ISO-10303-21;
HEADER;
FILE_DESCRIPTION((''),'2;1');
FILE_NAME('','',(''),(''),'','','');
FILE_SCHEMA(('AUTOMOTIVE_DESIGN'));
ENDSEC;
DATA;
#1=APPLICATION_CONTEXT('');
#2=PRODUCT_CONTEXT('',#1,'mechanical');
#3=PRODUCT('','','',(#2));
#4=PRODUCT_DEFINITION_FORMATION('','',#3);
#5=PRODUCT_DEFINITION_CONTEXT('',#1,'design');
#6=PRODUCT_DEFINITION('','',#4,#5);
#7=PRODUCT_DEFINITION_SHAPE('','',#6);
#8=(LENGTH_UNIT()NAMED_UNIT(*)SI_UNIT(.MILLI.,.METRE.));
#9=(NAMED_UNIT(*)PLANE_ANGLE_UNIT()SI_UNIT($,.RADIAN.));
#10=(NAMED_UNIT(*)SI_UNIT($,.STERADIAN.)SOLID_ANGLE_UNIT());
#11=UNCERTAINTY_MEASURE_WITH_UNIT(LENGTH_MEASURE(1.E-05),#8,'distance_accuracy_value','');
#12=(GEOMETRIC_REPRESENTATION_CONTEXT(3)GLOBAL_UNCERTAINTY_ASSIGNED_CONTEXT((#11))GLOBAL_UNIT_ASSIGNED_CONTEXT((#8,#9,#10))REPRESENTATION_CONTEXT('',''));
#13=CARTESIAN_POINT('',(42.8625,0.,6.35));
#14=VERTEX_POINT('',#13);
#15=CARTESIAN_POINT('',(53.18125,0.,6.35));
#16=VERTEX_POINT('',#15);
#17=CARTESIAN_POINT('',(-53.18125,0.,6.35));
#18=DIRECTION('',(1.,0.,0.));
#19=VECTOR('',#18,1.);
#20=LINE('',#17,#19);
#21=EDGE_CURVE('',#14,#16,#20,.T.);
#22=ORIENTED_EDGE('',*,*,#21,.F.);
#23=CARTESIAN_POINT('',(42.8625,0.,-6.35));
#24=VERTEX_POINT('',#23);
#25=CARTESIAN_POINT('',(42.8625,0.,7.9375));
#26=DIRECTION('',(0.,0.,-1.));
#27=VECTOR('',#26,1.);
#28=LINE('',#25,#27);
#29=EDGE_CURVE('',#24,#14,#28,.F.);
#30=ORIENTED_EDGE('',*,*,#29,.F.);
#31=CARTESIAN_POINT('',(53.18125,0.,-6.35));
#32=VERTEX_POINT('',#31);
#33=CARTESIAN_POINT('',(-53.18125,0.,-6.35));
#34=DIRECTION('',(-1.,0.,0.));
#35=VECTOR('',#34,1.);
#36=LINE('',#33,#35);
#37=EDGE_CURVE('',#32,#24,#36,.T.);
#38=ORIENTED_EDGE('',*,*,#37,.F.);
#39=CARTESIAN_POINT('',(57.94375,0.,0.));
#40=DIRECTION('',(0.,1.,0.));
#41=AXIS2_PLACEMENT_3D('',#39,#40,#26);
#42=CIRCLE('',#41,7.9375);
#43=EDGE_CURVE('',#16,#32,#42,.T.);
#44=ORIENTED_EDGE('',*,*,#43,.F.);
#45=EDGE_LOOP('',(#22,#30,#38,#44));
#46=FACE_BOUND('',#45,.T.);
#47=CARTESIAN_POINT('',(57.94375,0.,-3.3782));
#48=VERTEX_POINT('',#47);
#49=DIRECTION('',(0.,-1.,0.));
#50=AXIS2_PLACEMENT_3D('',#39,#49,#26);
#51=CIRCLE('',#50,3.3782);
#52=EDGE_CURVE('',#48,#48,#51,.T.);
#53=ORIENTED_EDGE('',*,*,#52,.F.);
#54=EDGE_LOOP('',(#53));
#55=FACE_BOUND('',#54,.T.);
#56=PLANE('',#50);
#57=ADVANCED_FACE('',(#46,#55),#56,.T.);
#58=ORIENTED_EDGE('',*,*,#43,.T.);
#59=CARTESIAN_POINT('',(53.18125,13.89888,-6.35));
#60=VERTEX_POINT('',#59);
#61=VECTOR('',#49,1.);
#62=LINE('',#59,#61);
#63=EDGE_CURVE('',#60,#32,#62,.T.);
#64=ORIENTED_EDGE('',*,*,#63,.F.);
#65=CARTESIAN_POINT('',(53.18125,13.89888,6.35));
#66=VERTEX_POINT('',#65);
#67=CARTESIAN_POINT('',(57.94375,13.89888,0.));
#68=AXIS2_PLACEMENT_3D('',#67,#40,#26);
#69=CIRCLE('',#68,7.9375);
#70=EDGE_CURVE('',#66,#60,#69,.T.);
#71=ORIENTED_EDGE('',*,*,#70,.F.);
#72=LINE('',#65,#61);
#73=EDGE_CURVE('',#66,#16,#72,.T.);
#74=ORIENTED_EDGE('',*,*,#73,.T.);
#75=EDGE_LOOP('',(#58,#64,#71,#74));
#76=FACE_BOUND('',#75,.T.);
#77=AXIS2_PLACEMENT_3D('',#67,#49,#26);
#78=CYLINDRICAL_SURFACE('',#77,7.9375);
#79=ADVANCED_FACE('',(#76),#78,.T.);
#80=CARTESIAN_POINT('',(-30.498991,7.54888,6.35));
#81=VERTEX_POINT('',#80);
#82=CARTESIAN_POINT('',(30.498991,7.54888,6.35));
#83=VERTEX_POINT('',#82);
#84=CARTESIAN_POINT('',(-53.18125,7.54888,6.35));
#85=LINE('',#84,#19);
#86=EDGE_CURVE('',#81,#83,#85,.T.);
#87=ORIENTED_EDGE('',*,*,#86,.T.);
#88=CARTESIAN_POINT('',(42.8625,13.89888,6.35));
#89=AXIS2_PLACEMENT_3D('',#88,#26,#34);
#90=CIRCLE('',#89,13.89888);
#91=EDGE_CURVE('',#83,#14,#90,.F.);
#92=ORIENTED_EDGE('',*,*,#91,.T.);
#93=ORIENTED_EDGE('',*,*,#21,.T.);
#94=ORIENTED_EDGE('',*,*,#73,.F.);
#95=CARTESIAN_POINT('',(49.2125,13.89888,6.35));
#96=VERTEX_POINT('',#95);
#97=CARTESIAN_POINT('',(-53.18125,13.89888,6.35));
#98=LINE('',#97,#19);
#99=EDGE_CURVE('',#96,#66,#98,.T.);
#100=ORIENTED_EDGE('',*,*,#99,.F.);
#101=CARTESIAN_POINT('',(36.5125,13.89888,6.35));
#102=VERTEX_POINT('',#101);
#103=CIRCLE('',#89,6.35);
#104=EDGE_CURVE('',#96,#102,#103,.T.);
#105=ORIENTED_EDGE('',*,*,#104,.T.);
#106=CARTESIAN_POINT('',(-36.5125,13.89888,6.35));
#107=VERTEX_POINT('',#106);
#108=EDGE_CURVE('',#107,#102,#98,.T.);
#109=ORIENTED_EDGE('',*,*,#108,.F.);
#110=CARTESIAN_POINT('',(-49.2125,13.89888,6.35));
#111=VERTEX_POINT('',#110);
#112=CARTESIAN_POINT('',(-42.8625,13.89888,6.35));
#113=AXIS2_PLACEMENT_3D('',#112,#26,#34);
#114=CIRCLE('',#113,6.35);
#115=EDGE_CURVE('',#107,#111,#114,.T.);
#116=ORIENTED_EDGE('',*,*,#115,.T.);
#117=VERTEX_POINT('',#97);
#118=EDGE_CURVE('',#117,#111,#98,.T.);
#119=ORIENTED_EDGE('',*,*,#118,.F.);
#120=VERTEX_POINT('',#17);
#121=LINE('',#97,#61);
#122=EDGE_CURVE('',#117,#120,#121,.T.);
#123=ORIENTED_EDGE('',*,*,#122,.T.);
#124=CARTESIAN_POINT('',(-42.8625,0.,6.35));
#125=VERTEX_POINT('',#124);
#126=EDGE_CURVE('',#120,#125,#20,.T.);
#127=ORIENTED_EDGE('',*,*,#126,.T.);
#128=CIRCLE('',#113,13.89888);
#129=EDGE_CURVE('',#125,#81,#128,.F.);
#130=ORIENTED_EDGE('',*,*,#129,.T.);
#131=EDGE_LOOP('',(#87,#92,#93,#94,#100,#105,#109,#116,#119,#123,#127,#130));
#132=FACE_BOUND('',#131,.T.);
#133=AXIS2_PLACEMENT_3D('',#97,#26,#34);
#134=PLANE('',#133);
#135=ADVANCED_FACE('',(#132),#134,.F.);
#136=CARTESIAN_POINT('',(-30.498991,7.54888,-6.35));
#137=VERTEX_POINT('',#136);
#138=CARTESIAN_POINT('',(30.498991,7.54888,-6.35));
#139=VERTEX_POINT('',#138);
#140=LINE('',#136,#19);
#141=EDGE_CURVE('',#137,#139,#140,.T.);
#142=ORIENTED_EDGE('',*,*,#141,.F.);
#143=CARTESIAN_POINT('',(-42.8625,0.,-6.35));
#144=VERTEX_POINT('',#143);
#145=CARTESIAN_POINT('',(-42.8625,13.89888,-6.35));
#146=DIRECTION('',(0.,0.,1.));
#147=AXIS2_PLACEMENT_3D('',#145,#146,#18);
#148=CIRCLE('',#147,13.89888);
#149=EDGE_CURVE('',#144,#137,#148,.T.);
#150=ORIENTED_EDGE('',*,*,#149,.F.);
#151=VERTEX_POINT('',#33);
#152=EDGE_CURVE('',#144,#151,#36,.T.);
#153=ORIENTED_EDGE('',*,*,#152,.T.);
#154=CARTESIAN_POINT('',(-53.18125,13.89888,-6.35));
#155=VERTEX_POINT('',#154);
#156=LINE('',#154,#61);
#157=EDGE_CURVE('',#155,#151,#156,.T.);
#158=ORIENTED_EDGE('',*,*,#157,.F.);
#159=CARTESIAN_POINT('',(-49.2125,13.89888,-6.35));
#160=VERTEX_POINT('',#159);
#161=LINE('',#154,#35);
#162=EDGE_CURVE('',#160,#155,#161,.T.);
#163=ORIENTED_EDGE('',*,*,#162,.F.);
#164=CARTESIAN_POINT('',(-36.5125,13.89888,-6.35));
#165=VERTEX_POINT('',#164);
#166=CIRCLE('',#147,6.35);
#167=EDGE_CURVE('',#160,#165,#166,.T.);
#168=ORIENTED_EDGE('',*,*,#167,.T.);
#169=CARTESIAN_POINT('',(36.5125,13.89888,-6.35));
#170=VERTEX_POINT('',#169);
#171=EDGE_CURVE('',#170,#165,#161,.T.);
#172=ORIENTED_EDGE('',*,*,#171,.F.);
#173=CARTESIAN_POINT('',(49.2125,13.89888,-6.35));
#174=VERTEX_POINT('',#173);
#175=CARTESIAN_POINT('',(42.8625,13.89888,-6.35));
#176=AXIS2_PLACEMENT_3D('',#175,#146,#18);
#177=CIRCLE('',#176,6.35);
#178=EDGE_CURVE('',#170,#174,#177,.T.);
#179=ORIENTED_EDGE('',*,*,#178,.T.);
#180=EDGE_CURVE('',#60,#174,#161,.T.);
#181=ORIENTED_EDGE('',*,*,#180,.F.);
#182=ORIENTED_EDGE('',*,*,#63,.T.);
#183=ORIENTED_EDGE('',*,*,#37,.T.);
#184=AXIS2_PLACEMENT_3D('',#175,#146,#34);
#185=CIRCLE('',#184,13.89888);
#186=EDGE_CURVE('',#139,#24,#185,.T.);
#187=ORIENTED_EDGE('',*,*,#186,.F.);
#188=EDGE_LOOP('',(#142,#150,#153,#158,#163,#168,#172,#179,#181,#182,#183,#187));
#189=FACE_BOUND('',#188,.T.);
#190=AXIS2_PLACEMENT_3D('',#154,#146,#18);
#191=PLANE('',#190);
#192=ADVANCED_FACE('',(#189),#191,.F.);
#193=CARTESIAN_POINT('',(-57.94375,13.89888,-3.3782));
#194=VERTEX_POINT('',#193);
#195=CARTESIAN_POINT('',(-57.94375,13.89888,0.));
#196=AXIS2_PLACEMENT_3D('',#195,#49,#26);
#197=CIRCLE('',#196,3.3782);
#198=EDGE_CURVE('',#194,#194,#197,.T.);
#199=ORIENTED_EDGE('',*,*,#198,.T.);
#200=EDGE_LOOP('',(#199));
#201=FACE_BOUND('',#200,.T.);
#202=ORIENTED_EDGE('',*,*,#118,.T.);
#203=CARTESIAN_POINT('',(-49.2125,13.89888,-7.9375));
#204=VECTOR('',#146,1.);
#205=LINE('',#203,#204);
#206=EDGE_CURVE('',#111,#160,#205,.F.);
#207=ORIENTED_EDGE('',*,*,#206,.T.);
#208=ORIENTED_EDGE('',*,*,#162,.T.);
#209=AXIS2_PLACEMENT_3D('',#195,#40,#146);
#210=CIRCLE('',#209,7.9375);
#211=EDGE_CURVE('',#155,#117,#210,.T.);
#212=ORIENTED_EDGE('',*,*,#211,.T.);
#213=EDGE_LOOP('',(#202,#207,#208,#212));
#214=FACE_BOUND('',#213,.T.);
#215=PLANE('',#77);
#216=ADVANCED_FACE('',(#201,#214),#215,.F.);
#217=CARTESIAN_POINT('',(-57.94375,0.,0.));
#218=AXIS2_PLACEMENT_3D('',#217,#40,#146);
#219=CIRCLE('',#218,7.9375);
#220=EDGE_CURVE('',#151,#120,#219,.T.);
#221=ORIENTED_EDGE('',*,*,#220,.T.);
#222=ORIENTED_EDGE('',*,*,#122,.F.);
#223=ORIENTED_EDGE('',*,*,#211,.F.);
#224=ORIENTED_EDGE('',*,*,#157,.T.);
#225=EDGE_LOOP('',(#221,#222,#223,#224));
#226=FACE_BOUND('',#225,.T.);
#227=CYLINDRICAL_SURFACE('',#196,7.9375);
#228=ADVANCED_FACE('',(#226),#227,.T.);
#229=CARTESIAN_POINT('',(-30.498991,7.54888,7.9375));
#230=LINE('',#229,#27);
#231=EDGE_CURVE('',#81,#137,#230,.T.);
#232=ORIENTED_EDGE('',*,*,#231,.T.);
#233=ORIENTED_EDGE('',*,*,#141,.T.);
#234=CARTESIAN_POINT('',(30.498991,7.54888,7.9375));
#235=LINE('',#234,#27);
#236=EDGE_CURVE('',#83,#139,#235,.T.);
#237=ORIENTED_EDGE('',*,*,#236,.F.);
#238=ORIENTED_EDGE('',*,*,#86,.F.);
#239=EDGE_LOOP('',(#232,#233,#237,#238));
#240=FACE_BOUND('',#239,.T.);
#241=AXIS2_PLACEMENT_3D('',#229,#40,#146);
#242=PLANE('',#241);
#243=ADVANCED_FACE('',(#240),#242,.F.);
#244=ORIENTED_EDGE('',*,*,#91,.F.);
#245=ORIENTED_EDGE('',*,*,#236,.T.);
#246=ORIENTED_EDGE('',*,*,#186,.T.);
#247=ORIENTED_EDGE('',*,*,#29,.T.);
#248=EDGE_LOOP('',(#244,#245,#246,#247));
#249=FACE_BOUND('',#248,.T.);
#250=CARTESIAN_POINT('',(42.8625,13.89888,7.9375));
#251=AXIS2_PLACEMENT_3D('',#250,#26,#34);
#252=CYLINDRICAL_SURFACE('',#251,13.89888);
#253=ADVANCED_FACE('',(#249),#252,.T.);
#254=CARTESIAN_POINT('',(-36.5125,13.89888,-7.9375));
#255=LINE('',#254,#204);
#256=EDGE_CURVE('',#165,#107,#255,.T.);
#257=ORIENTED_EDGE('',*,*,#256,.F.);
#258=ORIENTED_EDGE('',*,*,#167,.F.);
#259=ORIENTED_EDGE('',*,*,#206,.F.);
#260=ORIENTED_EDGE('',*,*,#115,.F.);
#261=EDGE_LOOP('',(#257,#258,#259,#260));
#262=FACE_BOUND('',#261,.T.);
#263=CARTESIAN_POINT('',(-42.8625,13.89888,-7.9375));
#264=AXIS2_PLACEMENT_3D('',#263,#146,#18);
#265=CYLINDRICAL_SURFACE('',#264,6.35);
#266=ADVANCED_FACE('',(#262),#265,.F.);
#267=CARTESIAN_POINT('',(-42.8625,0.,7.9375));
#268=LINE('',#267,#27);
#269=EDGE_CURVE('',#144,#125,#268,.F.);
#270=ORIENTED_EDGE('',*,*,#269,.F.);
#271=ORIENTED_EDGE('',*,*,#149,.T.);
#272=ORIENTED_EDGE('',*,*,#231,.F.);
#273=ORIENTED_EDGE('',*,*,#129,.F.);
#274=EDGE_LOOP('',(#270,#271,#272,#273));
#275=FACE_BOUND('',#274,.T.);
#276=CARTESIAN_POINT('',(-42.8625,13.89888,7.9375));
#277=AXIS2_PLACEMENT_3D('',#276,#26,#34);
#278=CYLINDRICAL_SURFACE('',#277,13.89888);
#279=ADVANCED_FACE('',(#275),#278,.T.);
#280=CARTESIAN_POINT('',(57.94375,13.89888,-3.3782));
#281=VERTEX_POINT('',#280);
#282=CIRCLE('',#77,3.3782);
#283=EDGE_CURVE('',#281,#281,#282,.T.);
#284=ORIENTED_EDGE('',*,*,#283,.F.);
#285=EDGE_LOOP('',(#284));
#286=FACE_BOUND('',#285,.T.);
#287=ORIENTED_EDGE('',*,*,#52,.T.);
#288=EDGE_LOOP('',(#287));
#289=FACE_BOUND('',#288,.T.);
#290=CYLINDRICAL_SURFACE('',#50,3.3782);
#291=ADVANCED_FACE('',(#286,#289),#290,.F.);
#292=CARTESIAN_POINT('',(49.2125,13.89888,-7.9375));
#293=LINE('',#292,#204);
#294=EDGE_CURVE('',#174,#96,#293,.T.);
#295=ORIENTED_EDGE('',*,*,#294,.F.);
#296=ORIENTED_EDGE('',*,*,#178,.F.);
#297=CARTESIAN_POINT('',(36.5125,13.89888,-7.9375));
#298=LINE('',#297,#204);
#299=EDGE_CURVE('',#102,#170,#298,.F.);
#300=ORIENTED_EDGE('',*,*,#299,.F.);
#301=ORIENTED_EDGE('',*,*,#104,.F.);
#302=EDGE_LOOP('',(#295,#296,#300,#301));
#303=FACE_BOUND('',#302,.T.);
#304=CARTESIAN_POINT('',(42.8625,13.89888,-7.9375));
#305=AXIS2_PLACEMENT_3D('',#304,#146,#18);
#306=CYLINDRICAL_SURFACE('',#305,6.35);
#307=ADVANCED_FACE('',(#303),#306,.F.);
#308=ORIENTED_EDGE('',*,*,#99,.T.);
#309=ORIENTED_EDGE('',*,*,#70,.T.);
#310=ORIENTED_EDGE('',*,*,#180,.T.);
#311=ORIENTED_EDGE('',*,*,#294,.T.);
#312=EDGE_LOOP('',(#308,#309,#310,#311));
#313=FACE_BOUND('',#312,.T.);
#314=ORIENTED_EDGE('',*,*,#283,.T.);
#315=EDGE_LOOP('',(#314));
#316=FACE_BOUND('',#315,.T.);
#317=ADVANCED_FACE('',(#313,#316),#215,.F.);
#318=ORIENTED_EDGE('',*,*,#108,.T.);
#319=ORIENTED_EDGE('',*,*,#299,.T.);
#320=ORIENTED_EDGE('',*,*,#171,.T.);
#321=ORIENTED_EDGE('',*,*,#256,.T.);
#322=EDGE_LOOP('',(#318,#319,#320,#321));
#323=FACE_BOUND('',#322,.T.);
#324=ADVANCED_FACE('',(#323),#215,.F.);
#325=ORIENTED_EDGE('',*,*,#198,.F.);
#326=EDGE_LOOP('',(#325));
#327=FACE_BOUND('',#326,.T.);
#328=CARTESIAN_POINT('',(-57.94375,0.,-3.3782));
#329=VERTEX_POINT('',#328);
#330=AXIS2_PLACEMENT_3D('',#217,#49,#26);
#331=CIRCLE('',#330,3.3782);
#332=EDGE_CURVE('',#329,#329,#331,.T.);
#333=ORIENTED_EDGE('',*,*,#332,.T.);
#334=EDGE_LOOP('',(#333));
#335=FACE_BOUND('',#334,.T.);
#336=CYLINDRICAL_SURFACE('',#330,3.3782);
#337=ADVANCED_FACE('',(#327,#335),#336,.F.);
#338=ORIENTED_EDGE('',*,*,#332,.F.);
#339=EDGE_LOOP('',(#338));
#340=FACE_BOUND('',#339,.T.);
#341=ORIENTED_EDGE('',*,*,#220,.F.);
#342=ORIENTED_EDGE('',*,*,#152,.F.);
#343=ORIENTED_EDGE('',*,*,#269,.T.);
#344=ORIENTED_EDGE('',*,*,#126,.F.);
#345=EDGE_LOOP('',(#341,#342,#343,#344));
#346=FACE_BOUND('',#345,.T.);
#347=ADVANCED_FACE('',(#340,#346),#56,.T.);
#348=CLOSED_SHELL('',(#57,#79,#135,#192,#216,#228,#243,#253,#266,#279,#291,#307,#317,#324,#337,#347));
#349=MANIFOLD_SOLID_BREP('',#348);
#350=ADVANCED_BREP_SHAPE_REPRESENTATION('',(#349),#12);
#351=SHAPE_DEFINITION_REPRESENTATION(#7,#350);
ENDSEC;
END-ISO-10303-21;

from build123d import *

# Parameters (mm, degrees)
BOSS_EXTRUDE1_DEPTH     = 13.89888
CUT_EXTRUDE1_DEPTH      = 69.830593656
CUT_EXTRUDE1_DEPTH_BACK = 69.830593656
CUT_EXTRUDE2_DEPTH      = 69.830593656
F_1_4_CLEARANCE_HOLE1_D = 6.7564


with BuildPart() as part:
    # Sketch1 → Boss-Extrude1 (new body)
    with BuildSketch(Plane(origin=(0, 0, 0), x_dir=(1, 0, 0), z_dir=(0, 1, 0))):
        with BuildLine():
            Line((-53.18125, 6.35), (53.18125, 6.35))
            ThreePointArc((53.18125, 6.35), (65.88125, 0), (53.18125, -6.35))
            Line((53.18125, -6.35), (-53.18125, -6.35))
            ThreePointArc((-53.18125, -6.35), (-65.88125, 0), (-53.18125, 6.35))
        make_face()
    extrude(amount=BOSS_EXTRUDE1_DEPTH)

    # Sketch2 → Cut-Extrude1 (cut, two sides: drawn at the far end of the back side and taken through both)
    with BuildSketch(Plane.XY.offset(6.35).offset(-CUT_EXTRUDE1_DEPTH_BACK)):
        with BuildLine():
            Line((-49.2125, 13.89888), (-36.5125, 13.89888))
            ThreePointArc((-36.5125, 13.89888), (-42.8625, 7.54888), (-49.2125, 13.89888))
        make_face()
        with BuildLine():
            Line((36.5125, 13.89888), (49.2125, 13.89888))
            ThreePointArc((49.2125, 13.89888), (42.8625, 7.54888), (36.5125, 13.89888))
        make_face()
    extrude(amount=CUT_EXTRUDE1_DEPTH + CUT_EXTRUDE1_DEPTH_BACK, mode=Mode.SUBTRACT)

    # Sketch3 → Cut-Extrude2 (cut, through all)
    with BuildSketch(Plane(origin=(0, 0, -6.35), x_dir=(-1, 0, 0), z_dir=(0, 0, -1))):
        with BuildLine():
            Line((30.498990577, 7.54888), (-30.498990577, 7.54888))
            ThreePointArc((-30.498990577, 7.54888), (-35.619538684, 2.036402323), (-42.8625, 0))
            Line((-42.8625, 0), (42.8625, 0))
            ThreePointArc((42.8625, 0), (35.619538684, 2.036402323), (30.498990577, 7.54888))
        make_face()
    extrude(amount=-CUT_EXTRUDE2_DEPTH, mode=Mode.SUBTRACT)

    # 1/4 Clearance Hole1 (through all)
    with Locations(Plane(origin=(0, 0, 0), x_dir=(-1, 0, 0), z_dir=(0, -1, 0))):
        with Locations((57.94375, 0), (-57.94375, 0)):
            Hole(F_1_4_CLEARANCE_HOLE1_D / 2)


solid = part.part
